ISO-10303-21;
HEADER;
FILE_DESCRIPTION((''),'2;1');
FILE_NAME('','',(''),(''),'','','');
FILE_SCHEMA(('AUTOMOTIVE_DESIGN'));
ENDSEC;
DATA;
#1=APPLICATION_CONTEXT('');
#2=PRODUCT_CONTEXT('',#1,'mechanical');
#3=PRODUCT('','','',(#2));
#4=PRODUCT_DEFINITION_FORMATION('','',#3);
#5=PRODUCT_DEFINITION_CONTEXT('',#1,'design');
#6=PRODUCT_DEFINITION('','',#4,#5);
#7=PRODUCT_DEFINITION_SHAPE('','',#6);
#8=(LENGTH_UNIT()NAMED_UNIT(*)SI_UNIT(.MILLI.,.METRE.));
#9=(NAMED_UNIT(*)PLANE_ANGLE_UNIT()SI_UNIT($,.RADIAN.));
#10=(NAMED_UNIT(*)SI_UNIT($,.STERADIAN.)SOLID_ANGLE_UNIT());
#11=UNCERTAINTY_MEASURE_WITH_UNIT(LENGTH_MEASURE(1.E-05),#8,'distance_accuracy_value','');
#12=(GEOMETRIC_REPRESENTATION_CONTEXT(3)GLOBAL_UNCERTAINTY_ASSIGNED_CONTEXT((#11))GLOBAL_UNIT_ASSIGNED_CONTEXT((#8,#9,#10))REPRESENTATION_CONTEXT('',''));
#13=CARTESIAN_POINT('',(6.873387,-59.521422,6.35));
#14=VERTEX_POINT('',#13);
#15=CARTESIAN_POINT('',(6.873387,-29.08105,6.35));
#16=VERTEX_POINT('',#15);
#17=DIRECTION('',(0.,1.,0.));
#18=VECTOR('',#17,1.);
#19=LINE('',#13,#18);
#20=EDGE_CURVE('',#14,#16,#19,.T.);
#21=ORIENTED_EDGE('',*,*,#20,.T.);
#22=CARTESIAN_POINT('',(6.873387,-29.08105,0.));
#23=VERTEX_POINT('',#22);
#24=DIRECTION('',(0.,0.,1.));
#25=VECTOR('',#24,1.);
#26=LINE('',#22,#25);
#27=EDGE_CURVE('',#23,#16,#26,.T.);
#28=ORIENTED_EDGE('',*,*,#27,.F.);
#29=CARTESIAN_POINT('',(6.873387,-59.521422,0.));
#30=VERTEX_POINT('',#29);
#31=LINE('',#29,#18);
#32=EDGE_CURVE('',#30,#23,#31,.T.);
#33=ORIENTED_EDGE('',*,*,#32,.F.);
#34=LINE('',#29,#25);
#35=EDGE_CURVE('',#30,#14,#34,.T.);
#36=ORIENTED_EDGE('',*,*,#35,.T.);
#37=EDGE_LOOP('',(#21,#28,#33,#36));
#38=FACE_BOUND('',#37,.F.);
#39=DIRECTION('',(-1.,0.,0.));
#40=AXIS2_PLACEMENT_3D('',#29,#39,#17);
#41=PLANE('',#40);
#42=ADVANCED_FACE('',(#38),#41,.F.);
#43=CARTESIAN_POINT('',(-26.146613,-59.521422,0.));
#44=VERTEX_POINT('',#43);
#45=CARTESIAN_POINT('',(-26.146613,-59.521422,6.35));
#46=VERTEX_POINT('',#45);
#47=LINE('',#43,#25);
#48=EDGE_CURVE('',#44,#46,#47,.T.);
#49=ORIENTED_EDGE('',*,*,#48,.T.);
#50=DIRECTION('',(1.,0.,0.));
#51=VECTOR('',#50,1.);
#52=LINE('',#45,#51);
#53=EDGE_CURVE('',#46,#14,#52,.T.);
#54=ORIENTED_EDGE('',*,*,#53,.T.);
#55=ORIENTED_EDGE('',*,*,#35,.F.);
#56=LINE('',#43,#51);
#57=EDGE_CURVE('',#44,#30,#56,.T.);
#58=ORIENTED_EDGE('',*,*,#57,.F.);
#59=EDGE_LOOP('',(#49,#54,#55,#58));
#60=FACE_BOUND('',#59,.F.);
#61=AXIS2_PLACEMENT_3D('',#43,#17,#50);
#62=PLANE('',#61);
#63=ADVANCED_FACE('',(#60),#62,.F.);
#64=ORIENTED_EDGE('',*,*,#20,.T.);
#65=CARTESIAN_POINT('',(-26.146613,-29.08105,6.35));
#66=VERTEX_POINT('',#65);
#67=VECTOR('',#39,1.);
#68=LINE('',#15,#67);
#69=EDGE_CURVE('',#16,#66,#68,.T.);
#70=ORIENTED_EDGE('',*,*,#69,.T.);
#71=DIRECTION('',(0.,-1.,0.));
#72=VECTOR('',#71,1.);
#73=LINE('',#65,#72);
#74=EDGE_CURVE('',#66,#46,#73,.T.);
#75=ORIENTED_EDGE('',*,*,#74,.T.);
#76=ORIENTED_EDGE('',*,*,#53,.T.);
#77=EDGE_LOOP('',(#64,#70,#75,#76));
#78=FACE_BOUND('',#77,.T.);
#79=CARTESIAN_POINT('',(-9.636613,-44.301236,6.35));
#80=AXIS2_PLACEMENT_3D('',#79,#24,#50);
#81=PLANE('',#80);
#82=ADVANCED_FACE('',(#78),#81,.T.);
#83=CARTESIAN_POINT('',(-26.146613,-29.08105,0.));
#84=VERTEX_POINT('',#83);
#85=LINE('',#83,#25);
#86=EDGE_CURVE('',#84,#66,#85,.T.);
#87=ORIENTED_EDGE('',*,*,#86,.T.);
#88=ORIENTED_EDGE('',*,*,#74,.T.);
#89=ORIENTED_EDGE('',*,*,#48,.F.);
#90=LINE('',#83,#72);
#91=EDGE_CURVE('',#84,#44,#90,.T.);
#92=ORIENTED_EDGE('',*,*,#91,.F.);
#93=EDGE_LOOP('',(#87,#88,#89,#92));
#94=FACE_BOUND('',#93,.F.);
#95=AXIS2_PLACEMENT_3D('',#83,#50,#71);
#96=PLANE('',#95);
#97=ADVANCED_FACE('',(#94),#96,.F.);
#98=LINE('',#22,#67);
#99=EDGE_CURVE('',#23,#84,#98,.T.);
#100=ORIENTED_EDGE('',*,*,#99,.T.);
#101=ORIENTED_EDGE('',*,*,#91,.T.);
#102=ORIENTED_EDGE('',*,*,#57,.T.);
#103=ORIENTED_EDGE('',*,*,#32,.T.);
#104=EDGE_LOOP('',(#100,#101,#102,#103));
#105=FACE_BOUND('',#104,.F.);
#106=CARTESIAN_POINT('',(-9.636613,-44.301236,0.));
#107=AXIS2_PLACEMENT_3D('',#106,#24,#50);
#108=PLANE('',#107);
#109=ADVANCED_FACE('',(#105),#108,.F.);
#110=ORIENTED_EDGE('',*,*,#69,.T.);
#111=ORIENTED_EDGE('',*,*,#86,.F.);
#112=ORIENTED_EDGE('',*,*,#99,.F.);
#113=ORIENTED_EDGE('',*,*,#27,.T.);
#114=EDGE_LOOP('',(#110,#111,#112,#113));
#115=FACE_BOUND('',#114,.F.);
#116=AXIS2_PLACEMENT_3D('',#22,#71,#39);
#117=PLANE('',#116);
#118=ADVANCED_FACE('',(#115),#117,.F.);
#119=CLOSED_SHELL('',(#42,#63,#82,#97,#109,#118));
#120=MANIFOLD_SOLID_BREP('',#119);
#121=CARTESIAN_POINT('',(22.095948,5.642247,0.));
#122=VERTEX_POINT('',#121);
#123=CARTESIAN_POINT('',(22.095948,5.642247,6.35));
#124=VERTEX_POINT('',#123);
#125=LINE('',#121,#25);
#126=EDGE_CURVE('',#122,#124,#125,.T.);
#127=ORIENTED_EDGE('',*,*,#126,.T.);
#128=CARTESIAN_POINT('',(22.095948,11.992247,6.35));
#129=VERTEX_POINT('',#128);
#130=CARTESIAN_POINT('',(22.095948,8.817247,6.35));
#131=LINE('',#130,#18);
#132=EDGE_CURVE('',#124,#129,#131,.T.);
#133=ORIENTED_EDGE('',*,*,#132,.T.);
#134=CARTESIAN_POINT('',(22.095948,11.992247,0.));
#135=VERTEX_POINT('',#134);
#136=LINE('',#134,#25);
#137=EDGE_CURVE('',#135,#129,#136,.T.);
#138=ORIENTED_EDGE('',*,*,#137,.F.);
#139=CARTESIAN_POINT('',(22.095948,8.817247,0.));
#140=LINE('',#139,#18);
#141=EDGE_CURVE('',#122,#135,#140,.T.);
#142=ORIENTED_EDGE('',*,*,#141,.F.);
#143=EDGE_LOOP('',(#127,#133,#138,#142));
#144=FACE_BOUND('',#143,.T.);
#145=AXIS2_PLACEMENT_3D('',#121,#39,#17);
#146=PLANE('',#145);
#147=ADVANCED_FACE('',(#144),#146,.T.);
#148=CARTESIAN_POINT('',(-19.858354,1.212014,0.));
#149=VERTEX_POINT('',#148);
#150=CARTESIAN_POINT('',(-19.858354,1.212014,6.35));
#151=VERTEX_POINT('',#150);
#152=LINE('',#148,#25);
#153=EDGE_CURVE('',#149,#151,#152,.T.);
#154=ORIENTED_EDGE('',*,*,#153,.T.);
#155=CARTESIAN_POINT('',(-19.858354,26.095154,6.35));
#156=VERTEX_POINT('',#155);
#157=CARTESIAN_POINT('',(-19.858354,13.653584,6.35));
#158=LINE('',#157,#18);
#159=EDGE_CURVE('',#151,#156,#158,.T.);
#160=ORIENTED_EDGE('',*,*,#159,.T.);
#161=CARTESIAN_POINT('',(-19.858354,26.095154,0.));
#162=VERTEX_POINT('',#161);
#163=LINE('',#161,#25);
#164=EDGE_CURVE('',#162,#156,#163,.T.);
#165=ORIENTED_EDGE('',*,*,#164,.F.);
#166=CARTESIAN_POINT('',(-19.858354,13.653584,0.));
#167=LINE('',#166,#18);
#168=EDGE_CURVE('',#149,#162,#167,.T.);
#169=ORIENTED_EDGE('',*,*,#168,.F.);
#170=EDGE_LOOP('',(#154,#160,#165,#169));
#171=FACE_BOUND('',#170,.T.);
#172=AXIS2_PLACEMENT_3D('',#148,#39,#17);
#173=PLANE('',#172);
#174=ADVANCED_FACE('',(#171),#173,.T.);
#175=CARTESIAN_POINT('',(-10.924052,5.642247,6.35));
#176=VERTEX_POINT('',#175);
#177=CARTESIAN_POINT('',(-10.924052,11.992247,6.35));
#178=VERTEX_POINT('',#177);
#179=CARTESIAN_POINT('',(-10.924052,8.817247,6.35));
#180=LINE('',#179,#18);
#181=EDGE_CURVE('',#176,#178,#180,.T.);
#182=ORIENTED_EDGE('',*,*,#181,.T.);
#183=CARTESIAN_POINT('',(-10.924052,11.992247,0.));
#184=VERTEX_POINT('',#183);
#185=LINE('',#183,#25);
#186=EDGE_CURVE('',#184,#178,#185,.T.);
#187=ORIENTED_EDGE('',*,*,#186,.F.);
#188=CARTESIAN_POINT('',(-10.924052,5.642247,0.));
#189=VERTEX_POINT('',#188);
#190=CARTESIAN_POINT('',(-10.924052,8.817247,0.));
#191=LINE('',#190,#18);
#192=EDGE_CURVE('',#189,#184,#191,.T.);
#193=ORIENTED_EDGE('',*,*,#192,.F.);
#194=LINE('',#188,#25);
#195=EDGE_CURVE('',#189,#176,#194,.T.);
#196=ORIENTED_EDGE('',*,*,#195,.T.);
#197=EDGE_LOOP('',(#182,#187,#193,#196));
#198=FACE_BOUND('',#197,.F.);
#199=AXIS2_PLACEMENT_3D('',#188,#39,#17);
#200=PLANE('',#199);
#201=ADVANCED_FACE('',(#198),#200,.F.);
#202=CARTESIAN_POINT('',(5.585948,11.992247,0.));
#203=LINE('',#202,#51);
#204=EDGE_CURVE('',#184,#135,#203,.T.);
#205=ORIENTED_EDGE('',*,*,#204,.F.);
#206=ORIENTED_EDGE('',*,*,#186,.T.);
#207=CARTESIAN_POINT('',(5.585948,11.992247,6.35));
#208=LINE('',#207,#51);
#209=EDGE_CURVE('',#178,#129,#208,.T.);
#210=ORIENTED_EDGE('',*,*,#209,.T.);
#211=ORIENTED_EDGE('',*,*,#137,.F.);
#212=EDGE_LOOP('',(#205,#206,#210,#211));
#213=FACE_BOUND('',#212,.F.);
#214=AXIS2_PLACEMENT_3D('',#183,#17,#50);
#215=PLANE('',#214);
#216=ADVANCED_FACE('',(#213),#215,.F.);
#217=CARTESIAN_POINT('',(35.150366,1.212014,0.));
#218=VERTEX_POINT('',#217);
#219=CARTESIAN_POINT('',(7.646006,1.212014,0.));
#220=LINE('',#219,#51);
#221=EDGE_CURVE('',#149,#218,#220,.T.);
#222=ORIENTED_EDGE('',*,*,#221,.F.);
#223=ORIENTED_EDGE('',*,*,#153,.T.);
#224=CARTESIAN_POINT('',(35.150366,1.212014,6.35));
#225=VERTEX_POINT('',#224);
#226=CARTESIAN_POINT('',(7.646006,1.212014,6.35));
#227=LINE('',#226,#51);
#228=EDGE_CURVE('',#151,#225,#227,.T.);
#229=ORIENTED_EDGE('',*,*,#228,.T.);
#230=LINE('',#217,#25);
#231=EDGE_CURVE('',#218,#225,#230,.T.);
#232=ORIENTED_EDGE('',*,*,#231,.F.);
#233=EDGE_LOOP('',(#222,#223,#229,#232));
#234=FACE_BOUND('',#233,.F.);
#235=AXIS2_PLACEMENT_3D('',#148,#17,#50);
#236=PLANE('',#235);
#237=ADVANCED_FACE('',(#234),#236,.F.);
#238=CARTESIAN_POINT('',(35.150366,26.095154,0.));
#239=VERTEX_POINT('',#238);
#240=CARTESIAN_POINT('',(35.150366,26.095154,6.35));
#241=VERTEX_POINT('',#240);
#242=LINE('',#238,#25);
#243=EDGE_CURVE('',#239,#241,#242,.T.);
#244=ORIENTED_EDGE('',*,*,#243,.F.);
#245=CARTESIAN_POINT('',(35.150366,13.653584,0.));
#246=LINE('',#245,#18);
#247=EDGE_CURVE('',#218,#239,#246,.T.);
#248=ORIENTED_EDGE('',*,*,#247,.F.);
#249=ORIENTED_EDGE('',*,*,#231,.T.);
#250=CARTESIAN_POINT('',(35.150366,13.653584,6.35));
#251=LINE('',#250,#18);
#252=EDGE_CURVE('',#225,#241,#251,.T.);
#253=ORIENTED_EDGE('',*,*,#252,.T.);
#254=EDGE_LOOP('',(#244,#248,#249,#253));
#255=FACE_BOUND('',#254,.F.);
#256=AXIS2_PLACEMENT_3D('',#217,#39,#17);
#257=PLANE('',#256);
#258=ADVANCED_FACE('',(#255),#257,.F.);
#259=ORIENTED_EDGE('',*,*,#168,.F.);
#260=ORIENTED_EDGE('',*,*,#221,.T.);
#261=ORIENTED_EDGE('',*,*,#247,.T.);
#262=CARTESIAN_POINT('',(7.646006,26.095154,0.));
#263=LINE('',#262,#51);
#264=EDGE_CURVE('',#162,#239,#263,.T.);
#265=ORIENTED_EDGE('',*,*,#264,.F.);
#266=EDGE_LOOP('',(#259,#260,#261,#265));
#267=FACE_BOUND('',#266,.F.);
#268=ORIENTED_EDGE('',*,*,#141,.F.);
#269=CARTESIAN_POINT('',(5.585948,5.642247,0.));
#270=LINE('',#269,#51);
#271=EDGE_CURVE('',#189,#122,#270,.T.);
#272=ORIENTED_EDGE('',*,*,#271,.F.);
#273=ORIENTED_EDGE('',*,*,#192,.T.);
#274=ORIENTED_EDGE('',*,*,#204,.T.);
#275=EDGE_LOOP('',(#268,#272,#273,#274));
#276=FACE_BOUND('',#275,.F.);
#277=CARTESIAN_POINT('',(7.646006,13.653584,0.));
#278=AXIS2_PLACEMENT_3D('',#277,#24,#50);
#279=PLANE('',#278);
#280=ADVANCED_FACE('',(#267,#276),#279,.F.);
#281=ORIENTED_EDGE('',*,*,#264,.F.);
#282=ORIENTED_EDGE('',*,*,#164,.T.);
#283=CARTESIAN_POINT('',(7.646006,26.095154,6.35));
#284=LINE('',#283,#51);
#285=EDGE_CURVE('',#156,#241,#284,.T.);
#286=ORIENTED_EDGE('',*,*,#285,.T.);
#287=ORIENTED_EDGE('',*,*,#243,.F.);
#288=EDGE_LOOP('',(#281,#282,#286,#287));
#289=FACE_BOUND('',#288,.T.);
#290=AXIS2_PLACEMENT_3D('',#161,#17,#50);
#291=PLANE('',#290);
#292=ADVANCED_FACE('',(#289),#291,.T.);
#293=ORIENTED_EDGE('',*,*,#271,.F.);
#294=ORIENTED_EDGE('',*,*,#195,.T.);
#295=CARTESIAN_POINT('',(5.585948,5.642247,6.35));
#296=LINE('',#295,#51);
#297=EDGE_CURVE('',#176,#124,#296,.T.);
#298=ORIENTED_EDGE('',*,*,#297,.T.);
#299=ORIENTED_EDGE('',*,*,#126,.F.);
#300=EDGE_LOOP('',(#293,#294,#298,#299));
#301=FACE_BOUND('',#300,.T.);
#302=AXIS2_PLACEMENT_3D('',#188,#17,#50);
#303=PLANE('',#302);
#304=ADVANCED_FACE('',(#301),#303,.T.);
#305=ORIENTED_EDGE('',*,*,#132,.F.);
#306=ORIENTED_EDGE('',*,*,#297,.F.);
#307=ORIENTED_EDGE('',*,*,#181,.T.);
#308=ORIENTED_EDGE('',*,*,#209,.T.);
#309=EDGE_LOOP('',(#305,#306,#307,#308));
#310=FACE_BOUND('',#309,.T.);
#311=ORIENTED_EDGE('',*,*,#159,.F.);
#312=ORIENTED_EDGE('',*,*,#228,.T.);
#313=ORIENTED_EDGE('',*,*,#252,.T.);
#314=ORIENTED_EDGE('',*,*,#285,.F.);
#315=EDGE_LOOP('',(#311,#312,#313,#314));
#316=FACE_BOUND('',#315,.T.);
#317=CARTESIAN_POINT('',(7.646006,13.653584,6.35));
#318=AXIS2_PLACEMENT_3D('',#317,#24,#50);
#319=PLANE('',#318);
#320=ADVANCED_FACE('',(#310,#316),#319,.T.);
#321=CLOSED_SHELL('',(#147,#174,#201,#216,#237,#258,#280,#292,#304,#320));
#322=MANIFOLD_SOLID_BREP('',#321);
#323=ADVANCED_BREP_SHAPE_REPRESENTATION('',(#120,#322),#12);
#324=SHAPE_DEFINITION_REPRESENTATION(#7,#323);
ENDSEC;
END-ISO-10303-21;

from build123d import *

# Parameters (mm, degrees)
F0_W     = 55.00872
F0_H     = 24.88314
F0_W_2   = 33.02
F0_H_2   = 6.35
F1_DEPTH = 6.35


with BuildPart() as f1:
    # F0 (on Top) → F1 (new body)
    with BuildSketch(Plane.XY):
        Polygon((6.873387, -29.08105), (-26.146613, -29.08105), (-26.146613, -35.43105), (-26.146613, -59.521422), (6.873387, -59.521422), (6.873387, -35.43105), align=None)
        with Locations((7.646006, 13.653584)):
            Rectangle(F0_W, F0_H)
        with Locations((5.585948, 8.817247)):
            Rectangle(F0_W_2, F0_H_2, mode=Mode.SUBTRACT)
    extrude(amount=F1_DEPTH)


solid = f1.part
